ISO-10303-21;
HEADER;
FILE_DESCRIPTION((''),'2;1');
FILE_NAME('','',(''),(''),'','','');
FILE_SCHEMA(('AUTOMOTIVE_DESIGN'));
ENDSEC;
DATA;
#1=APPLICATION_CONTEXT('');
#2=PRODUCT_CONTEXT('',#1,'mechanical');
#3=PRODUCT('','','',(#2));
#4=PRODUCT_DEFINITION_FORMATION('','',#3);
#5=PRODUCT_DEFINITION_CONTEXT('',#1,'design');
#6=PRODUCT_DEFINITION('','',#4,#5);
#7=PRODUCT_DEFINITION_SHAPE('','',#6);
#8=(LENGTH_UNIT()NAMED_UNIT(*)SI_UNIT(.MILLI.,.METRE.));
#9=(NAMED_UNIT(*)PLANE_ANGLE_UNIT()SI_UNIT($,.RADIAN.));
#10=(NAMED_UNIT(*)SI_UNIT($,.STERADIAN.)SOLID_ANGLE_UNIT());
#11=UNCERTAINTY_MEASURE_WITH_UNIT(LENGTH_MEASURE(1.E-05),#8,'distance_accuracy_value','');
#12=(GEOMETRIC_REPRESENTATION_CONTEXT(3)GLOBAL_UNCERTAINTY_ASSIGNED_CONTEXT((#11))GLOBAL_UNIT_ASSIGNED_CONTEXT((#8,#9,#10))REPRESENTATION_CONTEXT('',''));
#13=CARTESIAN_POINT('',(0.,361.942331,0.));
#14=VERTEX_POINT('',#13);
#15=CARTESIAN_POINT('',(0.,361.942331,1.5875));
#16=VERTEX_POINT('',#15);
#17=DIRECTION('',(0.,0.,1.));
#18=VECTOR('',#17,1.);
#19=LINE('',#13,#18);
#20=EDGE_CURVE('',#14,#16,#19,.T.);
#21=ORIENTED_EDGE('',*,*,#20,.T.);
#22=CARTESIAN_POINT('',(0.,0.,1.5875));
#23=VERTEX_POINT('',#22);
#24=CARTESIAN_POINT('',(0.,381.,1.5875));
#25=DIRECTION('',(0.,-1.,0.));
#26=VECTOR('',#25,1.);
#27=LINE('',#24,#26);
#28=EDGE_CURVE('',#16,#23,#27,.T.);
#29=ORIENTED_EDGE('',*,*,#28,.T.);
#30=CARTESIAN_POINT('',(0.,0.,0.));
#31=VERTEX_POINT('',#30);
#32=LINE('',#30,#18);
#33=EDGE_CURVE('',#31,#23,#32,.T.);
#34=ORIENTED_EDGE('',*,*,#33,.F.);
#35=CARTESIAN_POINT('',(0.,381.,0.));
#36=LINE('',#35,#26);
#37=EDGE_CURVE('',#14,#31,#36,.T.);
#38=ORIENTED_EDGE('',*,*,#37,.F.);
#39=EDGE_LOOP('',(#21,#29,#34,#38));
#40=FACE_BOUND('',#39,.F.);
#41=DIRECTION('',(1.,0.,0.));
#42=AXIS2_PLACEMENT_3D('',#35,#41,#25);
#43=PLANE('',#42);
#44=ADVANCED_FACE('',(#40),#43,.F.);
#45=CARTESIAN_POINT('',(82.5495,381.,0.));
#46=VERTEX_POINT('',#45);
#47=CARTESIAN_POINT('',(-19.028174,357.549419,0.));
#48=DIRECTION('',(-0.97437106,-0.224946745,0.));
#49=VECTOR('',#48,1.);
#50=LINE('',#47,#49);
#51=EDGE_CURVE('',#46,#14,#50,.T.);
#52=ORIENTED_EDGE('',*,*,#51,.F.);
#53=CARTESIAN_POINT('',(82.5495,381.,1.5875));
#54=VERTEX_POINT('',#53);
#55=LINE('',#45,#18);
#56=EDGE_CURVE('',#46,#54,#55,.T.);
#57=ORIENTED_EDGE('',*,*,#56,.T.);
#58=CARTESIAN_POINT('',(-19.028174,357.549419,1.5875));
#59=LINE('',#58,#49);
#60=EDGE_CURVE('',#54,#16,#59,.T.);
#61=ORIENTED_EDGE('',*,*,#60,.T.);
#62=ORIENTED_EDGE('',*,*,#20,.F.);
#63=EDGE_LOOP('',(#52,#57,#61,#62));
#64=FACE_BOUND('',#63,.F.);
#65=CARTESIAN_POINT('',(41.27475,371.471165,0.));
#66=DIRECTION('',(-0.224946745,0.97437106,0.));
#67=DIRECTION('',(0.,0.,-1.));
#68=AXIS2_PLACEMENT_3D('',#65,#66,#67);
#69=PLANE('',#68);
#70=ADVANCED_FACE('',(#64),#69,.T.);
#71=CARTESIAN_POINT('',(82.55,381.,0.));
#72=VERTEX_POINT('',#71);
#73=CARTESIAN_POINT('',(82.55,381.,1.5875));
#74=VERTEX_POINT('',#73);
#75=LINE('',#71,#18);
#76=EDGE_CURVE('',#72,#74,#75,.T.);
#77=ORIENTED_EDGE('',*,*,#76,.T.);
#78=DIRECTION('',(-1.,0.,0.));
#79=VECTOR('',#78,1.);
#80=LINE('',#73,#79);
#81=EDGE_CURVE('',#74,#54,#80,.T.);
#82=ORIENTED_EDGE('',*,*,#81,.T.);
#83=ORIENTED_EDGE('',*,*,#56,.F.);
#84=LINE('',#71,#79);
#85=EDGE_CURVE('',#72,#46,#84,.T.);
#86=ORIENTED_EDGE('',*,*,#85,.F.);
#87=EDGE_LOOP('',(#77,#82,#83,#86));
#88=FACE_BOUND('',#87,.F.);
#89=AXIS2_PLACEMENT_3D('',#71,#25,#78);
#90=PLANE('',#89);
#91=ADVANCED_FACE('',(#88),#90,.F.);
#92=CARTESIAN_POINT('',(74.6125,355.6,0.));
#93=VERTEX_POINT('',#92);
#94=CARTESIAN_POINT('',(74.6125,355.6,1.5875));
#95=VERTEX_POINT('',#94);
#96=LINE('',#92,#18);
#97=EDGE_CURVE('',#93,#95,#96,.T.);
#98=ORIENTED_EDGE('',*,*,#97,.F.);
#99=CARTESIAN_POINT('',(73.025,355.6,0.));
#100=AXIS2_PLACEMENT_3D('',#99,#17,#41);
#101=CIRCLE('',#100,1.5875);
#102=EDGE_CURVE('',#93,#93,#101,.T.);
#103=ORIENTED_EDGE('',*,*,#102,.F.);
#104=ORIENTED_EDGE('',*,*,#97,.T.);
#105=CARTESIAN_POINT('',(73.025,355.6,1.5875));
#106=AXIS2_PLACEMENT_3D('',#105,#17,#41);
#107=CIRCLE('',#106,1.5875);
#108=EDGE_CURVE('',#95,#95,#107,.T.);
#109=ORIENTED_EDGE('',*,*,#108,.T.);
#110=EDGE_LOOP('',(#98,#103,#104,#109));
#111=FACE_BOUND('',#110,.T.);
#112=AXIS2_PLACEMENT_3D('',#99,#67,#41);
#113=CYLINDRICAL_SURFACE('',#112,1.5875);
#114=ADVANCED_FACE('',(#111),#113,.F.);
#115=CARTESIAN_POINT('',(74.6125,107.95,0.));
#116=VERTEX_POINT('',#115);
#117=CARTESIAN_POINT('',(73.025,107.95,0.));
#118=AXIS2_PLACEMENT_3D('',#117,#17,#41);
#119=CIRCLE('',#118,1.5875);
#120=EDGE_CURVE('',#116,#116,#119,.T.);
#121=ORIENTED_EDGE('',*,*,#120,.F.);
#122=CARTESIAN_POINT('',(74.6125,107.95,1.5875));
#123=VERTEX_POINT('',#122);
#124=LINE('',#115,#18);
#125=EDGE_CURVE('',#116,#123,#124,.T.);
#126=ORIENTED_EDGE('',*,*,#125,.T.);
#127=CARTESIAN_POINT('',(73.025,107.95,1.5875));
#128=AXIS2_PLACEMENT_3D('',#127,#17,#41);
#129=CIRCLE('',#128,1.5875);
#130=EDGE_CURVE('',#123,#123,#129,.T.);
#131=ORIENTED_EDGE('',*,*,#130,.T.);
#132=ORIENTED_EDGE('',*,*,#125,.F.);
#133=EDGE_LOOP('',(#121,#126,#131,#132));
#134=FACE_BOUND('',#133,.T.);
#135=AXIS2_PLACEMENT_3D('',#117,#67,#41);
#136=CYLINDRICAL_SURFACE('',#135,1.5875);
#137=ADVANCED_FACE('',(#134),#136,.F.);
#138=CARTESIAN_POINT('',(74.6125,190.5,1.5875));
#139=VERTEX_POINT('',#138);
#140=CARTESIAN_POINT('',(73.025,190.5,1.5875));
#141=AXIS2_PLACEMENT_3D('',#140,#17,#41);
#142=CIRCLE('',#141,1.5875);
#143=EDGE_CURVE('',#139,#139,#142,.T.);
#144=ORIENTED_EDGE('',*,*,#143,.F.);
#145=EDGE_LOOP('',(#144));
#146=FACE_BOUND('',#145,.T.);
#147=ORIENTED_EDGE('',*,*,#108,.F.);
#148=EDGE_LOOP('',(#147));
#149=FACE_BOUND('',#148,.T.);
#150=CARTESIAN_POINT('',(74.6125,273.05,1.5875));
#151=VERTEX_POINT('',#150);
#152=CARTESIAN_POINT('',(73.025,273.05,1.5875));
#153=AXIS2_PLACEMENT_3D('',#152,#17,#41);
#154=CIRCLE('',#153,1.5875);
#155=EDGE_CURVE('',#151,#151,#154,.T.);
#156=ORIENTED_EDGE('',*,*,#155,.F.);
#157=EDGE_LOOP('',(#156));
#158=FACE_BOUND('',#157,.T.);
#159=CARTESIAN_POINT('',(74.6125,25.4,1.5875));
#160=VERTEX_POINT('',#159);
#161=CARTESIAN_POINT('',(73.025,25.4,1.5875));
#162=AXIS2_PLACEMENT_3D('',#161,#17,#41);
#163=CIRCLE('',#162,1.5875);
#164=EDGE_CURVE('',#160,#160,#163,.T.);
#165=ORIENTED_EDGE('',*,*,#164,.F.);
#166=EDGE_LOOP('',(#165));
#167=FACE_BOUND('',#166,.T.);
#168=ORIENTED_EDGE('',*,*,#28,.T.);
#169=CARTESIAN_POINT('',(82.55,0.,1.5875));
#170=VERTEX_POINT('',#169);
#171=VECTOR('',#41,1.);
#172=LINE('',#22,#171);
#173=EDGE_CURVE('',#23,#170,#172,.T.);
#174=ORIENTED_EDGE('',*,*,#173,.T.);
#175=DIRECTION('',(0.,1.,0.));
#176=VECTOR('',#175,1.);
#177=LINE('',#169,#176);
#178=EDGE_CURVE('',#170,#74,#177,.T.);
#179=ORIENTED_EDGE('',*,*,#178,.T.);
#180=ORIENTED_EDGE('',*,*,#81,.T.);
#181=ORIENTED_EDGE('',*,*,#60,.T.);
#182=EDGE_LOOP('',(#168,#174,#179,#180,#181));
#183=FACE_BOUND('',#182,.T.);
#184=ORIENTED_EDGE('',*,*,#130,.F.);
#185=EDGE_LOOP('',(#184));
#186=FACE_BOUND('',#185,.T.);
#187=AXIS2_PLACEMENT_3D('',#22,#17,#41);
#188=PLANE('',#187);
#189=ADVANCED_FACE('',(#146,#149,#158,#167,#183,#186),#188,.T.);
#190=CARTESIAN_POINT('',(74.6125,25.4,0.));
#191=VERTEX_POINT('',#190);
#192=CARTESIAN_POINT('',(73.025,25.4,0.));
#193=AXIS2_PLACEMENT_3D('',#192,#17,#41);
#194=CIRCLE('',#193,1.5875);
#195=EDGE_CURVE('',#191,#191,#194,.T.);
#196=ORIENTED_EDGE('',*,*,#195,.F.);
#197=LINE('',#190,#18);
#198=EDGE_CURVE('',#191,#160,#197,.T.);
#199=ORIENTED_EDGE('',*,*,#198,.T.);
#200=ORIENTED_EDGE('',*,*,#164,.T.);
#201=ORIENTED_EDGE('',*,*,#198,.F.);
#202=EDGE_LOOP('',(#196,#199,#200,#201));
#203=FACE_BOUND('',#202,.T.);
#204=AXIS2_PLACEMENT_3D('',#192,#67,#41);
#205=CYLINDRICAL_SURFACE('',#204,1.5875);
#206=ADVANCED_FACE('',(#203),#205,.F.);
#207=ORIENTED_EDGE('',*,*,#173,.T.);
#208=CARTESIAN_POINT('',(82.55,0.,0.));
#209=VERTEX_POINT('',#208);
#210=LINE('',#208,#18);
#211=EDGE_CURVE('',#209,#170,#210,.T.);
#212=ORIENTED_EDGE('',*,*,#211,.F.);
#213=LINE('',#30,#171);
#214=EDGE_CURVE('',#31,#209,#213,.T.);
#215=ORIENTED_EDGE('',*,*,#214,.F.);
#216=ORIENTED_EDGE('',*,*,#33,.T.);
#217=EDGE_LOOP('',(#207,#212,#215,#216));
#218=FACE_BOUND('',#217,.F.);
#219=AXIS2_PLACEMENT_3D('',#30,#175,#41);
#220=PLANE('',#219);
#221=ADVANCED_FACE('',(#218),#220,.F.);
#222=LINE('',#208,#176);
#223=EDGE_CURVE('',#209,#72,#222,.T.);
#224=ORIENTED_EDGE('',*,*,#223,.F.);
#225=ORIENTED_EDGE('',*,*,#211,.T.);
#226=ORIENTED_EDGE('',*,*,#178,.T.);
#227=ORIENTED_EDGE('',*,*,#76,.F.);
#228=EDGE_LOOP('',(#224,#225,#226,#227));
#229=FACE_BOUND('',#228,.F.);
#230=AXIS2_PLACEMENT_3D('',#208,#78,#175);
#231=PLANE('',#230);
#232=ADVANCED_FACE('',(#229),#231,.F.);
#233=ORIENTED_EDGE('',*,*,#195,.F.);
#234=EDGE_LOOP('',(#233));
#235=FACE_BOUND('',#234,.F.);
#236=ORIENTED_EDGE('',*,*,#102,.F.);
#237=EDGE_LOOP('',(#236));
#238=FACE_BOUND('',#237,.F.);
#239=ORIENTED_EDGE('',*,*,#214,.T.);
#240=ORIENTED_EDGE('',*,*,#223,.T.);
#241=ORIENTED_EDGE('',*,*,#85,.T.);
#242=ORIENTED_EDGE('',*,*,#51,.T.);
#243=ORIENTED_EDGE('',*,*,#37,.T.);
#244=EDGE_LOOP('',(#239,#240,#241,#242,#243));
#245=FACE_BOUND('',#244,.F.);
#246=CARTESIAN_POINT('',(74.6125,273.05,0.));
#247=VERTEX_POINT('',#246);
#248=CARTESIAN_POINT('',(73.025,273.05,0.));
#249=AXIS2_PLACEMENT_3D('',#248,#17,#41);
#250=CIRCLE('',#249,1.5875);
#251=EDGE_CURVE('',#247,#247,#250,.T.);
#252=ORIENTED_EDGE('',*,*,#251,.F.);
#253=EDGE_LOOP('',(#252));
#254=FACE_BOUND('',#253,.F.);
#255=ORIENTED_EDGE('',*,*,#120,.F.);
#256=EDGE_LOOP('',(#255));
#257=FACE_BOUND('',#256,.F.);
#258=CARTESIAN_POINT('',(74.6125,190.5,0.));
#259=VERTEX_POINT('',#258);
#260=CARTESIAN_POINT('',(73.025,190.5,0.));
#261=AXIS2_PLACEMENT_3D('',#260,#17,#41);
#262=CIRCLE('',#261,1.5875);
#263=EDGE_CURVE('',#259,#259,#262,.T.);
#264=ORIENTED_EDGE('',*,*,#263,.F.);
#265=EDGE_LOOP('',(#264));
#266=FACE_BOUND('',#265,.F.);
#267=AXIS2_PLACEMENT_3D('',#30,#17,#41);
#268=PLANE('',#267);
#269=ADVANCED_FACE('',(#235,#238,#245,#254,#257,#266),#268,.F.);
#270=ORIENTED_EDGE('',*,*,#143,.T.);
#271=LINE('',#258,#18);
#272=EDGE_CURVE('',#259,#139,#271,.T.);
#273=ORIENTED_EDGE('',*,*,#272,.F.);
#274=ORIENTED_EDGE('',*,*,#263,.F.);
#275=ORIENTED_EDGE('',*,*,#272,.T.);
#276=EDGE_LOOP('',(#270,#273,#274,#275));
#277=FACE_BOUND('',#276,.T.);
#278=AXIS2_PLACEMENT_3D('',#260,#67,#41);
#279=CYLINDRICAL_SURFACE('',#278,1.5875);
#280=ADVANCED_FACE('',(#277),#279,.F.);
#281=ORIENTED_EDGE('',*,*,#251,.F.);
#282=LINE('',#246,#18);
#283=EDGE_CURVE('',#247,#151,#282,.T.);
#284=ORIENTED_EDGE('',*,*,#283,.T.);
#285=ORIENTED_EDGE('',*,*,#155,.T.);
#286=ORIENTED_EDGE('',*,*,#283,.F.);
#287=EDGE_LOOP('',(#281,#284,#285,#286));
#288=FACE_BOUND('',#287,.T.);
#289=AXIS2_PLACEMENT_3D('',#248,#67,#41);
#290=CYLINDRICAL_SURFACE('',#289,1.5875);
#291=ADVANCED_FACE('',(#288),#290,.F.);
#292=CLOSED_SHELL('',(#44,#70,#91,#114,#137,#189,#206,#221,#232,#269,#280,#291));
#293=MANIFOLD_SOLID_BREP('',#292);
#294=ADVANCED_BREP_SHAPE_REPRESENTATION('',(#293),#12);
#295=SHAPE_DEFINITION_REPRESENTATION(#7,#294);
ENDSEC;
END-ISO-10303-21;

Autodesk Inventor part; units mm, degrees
ref_plane "YZ Plane" through (0, 0, 0) normal (1, 0, 0) x (0, 1, 0)
ref_plane "XZ Plane" through (0, 0, 0) normal (0, 1, 0) x (-1, 0, 0)
ref_plane "XY Plane" through (0, 0, 0) normal (0, 0, 1) x (1, 0, 0)
sketch "Sketch1" plane through (0, 0, 0) normal (0, 0, 1) x (1, 0, 0)
  line L0 (0, 0) -> (82.55, 0)
  line L1 (82.55, 0) -> (82.55, 381)
  line L2 (82.55, 381) -> (0, 381)
  line L3 (0, 381) -> (0, 0)
  line L4 (73.025, 381) -> (73.025, 0) construction
  line L5 (82.55, 190.5) -> (0, 190.5) construction
  circle A0 centre (73.025, 190.5) radius 1.5875
  circle A1 centre (73.025, 107.95) radius 1.5875
  circle A2 centre (73.025, 25.4) radius 1.5875
  circle A3 centre (73.025, 273.05) radius 1.5875
  circle A4 centre (73.025, 355.6) radius 1.5875
  dimension "d0" = 82.55
  dimension "d1" = 381
  dimension "d7" = 9.525
  dimension "d16" = 3.175
  dimension "d19" = 82.55
  dimension "d26" = 82.55
extrude "Extrusion1" add sketch "Sketch1" along normal blind 1.5875
chamfer "Chamfer1" distance 82.55 angle 13 1 edges at (0, 381, 0.7937) measured on face at (55.0333, 381, 0.5292)
properties part number "Side Walls" material "Polycarbonate, Clear"
